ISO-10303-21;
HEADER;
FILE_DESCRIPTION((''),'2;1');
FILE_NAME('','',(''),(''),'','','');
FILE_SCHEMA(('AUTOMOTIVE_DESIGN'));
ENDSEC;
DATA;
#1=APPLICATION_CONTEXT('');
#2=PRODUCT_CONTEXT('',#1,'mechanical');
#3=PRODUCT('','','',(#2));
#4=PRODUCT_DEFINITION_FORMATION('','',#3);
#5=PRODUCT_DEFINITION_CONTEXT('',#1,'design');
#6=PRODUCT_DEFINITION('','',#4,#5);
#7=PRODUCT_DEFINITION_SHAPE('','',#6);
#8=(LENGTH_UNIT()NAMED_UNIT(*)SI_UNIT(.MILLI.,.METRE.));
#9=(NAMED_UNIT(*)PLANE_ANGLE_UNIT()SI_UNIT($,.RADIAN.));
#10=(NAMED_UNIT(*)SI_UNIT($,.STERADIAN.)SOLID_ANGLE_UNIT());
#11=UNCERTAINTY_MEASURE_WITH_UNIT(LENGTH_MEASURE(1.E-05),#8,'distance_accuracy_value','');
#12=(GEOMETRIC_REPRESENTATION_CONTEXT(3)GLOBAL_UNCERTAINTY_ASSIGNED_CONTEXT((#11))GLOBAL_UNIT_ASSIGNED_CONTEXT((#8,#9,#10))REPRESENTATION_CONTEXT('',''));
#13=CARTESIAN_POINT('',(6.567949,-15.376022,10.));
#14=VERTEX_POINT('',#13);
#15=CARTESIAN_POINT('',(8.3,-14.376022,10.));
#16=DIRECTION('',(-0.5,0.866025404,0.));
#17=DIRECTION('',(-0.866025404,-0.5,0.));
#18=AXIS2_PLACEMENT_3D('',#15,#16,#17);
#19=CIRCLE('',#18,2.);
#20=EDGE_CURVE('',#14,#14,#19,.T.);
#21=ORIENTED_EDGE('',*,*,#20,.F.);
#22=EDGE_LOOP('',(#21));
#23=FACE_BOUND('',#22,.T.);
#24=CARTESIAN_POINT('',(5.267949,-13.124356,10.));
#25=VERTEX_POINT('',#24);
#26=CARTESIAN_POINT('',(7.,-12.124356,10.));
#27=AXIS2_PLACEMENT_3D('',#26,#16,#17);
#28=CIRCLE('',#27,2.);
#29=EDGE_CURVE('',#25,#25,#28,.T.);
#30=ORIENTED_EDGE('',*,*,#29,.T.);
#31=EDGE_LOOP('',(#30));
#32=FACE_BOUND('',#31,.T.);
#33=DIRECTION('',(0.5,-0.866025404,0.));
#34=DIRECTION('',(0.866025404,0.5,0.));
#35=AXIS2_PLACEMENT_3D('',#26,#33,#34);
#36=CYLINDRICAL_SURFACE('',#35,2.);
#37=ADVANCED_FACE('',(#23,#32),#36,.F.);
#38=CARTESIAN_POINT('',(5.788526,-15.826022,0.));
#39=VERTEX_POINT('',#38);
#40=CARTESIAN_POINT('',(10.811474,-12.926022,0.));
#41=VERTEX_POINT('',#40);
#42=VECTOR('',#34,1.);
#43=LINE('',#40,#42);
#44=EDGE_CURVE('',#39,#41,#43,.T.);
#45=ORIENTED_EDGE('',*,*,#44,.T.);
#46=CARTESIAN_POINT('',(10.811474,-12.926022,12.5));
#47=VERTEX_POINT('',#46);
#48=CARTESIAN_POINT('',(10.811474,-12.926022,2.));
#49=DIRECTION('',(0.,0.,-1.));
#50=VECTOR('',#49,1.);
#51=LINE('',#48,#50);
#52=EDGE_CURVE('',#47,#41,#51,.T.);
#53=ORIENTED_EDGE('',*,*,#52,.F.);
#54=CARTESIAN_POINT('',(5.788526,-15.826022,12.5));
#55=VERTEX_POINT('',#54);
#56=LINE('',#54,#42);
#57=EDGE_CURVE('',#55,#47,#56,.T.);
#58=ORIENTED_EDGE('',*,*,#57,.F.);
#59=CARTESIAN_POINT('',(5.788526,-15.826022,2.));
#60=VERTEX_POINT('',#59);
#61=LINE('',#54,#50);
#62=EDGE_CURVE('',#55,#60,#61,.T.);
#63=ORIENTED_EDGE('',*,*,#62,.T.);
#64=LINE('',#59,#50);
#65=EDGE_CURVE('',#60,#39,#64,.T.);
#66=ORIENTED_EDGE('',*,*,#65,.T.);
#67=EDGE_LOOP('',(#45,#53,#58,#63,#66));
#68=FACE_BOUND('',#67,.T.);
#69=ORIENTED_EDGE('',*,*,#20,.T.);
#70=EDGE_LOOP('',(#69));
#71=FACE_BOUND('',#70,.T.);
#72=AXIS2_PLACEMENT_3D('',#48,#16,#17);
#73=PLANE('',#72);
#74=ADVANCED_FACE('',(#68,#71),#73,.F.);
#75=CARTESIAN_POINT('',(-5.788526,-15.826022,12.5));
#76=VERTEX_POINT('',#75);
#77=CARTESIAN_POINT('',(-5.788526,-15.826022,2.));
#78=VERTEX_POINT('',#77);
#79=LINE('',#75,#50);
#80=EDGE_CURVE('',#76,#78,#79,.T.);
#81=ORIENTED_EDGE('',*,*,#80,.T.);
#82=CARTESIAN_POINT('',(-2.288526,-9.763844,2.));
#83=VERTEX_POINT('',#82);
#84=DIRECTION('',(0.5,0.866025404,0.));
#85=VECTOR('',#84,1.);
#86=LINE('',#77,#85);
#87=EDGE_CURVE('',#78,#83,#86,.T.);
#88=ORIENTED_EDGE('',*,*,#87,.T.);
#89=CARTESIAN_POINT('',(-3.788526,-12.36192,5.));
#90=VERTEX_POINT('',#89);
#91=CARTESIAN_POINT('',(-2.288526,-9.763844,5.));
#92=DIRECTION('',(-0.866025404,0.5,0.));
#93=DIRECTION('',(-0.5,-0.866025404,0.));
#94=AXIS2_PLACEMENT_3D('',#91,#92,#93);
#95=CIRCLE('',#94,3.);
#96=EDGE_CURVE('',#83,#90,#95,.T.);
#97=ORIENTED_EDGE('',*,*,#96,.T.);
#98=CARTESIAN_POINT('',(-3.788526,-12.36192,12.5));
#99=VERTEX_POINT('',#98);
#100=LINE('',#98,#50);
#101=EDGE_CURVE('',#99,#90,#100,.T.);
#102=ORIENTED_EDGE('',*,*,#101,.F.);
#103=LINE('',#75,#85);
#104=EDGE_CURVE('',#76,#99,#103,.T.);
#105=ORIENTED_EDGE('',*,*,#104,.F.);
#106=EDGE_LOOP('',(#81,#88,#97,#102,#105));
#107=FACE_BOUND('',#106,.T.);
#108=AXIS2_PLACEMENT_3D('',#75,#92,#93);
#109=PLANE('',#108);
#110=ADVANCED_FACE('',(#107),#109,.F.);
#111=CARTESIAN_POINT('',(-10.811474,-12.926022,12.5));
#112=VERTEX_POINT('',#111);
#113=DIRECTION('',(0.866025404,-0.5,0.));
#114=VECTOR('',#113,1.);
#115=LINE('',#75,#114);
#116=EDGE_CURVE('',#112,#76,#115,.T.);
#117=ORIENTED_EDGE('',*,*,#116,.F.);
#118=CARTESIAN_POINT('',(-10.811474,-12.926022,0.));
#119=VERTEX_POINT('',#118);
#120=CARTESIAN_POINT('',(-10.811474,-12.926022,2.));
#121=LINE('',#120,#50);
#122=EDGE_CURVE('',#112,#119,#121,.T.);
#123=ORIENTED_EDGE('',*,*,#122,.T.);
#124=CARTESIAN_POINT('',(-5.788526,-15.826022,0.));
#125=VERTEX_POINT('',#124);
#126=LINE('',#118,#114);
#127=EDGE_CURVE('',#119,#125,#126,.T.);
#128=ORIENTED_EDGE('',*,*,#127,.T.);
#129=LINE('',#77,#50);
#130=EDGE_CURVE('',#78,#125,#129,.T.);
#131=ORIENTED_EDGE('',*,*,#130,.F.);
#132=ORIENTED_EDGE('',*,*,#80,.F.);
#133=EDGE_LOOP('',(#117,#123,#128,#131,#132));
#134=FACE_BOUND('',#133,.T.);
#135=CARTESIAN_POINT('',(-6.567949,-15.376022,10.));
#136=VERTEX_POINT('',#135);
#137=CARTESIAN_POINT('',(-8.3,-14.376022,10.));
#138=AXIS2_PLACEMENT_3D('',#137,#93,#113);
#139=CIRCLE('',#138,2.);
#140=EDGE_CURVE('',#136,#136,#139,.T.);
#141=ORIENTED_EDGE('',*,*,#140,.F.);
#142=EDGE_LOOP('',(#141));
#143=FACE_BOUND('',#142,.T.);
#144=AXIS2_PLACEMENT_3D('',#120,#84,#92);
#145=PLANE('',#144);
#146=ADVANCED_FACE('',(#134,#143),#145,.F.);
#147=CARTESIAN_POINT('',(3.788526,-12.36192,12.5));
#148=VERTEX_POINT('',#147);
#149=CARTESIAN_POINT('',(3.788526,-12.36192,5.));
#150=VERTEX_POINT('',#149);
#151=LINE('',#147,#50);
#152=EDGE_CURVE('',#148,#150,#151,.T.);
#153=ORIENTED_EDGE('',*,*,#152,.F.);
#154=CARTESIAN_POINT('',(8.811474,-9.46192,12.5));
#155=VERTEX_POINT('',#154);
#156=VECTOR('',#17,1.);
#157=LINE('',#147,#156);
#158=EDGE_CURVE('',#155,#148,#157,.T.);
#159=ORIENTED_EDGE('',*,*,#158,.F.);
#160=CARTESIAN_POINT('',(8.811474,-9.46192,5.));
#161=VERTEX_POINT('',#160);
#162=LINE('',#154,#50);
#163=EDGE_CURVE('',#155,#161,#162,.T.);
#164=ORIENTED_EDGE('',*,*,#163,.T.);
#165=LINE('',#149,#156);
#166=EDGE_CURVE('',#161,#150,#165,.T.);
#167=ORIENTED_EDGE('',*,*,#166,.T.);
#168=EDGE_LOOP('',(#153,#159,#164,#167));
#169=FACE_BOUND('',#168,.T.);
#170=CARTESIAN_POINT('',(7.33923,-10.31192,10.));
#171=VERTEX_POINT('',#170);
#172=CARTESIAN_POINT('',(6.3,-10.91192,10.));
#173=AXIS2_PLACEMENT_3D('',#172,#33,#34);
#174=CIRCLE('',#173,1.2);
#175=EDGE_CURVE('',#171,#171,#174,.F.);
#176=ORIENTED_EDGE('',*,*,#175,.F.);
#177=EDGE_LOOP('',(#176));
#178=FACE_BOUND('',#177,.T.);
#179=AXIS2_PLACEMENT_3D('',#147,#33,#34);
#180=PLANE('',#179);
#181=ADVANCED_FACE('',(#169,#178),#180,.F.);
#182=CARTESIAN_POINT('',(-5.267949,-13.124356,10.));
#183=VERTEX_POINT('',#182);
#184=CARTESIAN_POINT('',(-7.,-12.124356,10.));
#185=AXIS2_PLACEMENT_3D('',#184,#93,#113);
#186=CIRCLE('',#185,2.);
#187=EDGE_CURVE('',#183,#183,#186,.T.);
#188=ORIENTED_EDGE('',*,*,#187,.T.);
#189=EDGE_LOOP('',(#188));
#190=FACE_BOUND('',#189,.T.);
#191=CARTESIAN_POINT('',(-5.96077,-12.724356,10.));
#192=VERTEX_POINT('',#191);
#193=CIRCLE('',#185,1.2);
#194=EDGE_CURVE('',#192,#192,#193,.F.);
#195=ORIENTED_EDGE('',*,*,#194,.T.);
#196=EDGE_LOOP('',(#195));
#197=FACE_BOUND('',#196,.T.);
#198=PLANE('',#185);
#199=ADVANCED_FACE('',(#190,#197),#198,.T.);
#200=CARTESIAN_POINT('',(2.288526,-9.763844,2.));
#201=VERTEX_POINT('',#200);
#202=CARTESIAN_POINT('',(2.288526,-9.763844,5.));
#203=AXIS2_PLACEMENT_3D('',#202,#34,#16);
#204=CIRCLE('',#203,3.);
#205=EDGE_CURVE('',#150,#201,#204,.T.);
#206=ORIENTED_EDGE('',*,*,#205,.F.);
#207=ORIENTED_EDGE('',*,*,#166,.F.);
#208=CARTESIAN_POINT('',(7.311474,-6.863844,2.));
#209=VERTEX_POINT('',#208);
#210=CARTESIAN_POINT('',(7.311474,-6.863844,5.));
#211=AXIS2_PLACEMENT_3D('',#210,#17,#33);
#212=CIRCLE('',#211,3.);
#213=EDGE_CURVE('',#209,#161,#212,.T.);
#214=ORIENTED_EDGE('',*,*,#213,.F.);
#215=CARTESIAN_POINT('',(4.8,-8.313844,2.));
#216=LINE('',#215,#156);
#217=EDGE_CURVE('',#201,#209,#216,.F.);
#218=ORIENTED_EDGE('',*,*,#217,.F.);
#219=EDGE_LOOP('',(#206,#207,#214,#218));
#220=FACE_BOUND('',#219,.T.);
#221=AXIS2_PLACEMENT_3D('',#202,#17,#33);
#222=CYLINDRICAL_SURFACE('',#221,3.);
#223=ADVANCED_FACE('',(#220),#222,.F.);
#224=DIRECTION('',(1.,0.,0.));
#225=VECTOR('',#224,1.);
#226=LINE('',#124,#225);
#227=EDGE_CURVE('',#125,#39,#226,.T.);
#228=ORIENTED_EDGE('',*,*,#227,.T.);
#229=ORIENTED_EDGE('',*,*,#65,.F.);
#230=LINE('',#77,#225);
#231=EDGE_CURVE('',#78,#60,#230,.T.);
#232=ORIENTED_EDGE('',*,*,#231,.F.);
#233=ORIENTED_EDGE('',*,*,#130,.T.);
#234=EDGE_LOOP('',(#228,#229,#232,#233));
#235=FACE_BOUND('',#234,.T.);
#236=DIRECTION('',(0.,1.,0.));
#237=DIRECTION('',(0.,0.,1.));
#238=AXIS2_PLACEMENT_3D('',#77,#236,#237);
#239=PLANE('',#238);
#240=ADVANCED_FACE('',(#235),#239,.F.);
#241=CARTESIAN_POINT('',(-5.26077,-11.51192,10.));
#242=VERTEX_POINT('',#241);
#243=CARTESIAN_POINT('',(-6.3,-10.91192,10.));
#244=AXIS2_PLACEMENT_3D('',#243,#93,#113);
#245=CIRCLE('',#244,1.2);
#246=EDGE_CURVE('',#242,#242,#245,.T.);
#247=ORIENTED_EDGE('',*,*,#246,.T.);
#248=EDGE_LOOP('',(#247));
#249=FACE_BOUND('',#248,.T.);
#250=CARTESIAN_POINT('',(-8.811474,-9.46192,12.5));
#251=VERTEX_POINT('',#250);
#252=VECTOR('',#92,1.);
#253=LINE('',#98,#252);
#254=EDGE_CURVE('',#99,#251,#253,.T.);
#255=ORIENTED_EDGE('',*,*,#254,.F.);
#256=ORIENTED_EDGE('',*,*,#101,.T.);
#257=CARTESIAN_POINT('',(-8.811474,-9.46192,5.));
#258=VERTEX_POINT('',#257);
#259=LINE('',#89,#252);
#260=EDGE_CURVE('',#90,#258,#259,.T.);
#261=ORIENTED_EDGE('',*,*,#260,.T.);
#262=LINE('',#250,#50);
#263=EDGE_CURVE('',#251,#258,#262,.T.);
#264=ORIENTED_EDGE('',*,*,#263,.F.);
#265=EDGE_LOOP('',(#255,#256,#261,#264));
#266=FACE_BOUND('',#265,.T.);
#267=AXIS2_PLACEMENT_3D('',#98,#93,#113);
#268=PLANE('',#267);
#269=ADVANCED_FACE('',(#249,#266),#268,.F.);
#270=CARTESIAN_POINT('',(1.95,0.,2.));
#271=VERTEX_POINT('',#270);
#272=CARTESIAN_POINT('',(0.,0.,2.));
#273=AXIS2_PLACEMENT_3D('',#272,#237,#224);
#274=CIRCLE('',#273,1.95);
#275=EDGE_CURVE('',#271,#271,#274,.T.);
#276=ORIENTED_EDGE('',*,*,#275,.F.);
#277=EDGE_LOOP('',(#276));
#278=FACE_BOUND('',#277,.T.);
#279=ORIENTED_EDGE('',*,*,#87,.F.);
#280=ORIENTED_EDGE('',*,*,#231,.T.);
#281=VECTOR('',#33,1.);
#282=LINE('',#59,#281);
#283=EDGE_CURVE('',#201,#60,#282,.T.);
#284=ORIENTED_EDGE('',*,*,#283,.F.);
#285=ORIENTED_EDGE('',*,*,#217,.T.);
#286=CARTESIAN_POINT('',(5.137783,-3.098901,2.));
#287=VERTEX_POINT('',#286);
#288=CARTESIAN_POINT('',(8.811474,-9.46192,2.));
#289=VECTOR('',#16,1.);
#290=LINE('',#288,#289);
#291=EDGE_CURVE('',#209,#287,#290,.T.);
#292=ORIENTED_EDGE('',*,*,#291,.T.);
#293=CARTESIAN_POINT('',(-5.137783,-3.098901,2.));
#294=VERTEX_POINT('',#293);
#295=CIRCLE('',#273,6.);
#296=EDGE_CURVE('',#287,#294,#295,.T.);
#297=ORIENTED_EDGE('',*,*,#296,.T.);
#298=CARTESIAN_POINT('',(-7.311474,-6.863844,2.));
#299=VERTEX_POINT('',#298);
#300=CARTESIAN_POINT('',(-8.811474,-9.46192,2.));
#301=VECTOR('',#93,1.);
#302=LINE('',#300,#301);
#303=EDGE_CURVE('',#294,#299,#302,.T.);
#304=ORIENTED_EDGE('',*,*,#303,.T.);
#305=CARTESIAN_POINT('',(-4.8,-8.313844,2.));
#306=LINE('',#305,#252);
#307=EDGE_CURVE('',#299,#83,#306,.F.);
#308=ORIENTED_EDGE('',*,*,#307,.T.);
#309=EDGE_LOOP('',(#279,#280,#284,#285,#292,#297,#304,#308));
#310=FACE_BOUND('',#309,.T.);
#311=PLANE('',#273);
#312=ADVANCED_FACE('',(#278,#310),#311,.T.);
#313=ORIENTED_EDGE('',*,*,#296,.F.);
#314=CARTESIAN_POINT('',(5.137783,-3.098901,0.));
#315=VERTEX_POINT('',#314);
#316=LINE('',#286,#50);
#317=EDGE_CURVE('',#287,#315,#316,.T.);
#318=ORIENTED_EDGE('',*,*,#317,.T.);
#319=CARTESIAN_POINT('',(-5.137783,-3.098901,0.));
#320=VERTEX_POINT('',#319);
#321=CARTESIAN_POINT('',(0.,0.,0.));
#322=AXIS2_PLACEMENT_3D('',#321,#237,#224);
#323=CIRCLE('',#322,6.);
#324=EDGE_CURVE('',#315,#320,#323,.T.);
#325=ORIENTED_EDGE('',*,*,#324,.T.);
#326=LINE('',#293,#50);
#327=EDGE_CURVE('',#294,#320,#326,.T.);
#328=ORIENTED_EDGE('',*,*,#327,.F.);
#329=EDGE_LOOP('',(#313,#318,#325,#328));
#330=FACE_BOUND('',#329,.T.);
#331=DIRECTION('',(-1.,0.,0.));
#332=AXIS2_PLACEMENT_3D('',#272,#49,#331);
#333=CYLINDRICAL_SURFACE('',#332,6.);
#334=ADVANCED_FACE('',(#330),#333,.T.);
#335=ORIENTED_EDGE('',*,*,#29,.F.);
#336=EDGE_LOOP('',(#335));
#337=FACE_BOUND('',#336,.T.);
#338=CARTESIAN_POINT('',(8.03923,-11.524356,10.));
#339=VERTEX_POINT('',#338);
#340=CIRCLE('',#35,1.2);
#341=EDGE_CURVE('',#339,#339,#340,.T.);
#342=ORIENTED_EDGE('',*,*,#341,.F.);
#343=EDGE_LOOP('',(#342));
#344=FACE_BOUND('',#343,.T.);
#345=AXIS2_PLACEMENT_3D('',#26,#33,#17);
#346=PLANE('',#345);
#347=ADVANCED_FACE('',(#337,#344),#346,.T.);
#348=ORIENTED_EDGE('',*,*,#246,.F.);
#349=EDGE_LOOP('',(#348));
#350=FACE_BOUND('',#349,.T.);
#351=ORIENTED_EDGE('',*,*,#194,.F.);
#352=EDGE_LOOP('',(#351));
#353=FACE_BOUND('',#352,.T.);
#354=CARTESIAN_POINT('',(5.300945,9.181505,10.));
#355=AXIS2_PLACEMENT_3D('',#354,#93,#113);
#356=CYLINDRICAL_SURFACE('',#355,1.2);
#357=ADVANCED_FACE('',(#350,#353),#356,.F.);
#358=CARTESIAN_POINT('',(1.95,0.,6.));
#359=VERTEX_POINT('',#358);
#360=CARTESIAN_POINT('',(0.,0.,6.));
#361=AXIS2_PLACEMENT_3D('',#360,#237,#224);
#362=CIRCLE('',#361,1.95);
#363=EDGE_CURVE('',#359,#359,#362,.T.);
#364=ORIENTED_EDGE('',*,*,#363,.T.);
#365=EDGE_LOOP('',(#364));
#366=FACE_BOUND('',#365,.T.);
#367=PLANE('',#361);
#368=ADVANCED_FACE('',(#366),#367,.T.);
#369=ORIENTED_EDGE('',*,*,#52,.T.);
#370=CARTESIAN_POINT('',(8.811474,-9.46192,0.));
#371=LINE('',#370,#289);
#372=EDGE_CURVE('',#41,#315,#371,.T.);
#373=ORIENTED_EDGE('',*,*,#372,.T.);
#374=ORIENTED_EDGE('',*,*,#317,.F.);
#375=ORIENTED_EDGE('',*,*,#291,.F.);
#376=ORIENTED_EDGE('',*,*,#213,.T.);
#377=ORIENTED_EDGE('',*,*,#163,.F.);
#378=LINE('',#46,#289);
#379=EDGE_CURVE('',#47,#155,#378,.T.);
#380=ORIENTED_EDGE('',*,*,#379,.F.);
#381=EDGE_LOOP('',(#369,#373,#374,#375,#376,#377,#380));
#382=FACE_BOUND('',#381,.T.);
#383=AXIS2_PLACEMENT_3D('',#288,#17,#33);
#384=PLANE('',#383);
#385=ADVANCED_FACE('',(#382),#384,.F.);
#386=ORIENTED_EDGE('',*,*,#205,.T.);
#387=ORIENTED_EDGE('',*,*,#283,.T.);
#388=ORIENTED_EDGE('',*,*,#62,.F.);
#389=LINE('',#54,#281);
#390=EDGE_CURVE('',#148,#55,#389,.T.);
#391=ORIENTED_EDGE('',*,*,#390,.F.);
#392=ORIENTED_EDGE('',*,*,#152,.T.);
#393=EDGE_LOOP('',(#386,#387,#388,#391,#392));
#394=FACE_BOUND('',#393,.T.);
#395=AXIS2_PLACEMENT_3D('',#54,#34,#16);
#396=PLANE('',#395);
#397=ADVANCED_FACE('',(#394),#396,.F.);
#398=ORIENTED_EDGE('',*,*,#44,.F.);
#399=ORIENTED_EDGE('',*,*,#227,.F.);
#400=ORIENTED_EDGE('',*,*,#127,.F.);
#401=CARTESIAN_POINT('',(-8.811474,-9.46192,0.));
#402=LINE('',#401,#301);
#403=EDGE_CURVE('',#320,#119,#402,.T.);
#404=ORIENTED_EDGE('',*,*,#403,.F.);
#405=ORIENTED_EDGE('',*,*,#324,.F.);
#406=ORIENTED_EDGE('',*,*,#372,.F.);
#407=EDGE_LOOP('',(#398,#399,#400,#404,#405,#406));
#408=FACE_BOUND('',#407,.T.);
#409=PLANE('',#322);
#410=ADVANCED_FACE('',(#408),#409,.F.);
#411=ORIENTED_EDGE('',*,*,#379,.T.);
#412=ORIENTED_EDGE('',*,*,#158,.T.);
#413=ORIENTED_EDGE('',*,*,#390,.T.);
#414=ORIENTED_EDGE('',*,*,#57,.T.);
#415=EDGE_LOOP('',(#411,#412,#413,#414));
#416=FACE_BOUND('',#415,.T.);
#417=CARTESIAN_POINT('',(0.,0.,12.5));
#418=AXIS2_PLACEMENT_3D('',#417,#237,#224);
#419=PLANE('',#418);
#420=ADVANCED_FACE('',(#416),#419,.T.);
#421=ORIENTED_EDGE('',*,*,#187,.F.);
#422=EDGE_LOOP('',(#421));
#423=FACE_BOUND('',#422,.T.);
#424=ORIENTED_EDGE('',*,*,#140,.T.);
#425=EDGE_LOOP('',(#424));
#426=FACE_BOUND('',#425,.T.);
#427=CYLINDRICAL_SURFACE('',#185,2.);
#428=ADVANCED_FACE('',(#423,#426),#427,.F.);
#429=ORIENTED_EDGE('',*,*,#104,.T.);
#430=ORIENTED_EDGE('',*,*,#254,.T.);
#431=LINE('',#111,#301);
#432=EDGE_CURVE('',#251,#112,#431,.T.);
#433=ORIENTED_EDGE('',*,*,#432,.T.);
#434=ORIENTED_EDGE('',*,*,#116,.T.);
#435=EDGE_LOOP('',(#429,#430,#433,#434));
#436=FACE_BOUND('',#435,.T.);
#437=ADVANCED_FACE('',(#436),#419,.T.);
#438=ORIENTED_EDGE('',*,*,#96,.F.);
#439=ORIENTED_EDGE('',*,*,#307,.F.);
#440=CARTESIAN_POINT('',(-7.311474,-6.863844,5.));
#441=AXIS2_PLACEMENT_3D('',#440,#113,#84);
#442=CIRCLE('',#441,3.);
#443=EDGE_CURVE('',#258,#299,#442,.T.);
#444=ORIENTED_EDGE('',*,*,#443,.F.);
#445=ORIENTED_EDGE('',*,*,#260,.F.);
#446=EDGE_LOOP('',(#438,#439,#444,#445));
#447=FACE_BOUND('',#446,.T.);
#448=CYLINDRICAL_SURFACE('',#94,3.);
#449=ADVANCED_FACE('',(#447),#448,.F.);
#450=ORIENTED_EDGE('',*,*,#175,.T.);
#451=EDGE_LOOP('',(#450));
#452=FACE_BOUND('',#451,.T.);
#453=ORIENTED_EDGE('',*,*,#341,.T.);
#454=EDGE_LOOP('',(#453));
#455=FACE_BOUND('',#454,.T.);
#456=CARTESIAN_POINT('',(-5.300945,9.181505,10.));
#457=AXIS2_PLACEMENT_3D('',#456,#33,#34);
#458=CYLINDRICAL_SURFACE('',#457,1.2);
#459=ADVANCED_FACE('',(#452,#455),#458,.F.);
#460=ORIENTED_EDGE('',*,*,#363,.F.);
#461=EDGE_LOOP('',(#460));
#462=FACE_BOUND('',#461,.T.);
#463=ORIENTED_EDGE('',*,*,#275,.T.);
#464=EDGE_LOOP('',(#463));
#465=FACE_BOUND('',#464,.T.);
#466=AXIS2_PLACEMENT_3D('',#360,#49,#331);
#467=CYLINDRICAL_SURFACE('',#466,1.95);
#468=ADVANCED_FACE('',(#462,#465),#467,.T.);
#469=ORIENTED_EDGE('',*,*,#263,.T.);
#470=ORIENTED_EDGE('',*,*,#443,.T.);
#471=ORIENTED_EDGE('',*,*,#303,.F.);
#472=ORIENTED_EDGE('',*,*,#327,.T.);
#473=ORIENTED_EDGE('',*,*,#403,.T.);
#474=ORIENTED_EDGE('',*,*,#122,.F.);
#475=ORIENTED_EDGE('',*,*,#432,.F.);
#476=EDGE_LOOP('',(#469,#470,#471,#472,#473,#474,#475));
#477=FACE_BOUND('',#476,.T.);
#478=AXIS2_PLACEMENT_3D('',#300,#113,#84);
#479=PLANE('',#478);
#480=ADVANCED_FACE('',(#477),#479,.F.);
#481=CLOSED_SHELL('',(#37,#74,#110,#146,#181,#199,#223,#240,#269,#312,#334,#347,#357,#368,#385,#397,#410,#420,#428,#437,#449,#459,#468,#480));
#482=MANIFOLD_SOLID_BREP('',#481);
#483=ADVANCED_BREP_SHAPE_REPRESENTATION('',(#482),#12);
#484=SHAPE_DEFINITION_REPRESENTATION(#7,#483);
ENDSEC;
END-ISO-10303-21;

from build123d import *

# Parameters (mm, degrees)
EXTRUDE_1_DEPTH     = 2
EXTRUDE_2_DEPTH     = 10.5
SKETCH_3_R          = 1.95
EXTRUDE_3_DEPTH     = 4
FILLET_1_R          = 3
SKETCH_4_R          = 1.2
CUT_EXTRUDE_1_DEPTH = 28.201889258
SKETCH_5_R          = 2
CUT_EXTRUDE_2_DEPTH = 2.6


with BuildPart() as part:
    # 스케치1 → 보스-돌출1 (new body)
    with BuildSketch(Plane.XY):
        with BuildLine():
            Line((-8.811473671, -9.461920088), (-10.811473671, -12.926021703))
            Line((-10.811473671, -12.926021703), (-5.788526329, -15.826021703))
            Line((-5.788526329, -15.826021703), (5.788526329, -15.826021703))
            Line((5.788526329, -15.826021703), (10.811473671, -12.926021703))
            Line((10.811473671, -12.926021703), (8.811473671, -9.461920088))
            Line((8.811473671, -9.461920088), (5.137782868, -3.098900966))
            ThreePointArc((5.137782868, -3.098900966), (0, 6), (-5.137782868, -3.098900966))
            Line((-5.137782868, -3.098900966), (-8.811473671, -9.461920088))
        make_face()
    extrude(amount=EXTRUDE_1_DEPTH)

    # 스케치2 → 보스-돌출2 (add)
    with BuildSketch(Plane.XY.offset(2)):
        Polygon((-5.788526329, -15.826021703), (-10.811473671, -12.926021703), (-8.811473671, -9.461920088), (-3.788526329, -12.361920088), align=None)
        Polygon((5.788526329, -15.826021703), (3.788526329, -12.361920088), (8.811473671, -9.461920088), (10.811473671, -12.926021703), align=None)
    extrude(amount=EXTRUDE_2_DEPTH)

    # 스케치3 → 보스-돌출3 (add)
    with BuildSketch(Plane.XY.offset(2)):
        Circle(SKETCH_3_R)
    extrude(amount=EXTRUDE_3_DEPTH)

    # 필렛1
    fillet_1_edges = [part.edges().sort_by_distance(p)[0] for p in [
        (-6.3, -10.911920088, 2),
        (6.3, -10.911920088, 2),
    ]]
    fillet(fillet_1_edges, radius=FILLET_1_R)

    # 스케치4 → 컷-돌출1 (cut, through all)
    with BuildSketch(Plane(origin=(-8.3, -14.376021703, 0), x_dir=(0.866025404, -0.5, 0), z_dir=(-0.5, -0.866025404, 0))):
        with Locations((0, 10)):
            Circle(SKETCH_4_R)
    cut_extrude_1 = extrude(amount=-CUT_EXTRUDE_1_DEPTH, mode=Mode.SUBTRACT)

    # 스케치5 → 컷-돌출2 (cut)
    with BuildSketch(Plane(origin=(-8.3, -14.376021703, 0), x_dir=(0.866025404, -0.5, 0), z_dir=(-0.5, -0.866025404, 0))):
        with Locations((0, 10)):
            Circle(SKETCH_5_R)
    cut_extrude_2 = extrude(amount=-CUT_EXTRUDE_2_DEPTH, mode=Mode.SUBTRACT)

    # 대칭 복사1: 컷-돌출1, 컷-돌출2 across plane
    add(cut_extrude_1.mirror(Plane(origin=(0, 0, 0), x_dir=(0, 0, 1), z_dir=(1, 0, 0))), mode=Mode.SUBTRACT)
    add(cut_extrude_2.mirror(Plane(origin=(0, 0, 0), x_dir=(0, 0, 1), z_dir=(1, 0, 0))), mode=Mode.SUBTRACT)


solid = part.part
